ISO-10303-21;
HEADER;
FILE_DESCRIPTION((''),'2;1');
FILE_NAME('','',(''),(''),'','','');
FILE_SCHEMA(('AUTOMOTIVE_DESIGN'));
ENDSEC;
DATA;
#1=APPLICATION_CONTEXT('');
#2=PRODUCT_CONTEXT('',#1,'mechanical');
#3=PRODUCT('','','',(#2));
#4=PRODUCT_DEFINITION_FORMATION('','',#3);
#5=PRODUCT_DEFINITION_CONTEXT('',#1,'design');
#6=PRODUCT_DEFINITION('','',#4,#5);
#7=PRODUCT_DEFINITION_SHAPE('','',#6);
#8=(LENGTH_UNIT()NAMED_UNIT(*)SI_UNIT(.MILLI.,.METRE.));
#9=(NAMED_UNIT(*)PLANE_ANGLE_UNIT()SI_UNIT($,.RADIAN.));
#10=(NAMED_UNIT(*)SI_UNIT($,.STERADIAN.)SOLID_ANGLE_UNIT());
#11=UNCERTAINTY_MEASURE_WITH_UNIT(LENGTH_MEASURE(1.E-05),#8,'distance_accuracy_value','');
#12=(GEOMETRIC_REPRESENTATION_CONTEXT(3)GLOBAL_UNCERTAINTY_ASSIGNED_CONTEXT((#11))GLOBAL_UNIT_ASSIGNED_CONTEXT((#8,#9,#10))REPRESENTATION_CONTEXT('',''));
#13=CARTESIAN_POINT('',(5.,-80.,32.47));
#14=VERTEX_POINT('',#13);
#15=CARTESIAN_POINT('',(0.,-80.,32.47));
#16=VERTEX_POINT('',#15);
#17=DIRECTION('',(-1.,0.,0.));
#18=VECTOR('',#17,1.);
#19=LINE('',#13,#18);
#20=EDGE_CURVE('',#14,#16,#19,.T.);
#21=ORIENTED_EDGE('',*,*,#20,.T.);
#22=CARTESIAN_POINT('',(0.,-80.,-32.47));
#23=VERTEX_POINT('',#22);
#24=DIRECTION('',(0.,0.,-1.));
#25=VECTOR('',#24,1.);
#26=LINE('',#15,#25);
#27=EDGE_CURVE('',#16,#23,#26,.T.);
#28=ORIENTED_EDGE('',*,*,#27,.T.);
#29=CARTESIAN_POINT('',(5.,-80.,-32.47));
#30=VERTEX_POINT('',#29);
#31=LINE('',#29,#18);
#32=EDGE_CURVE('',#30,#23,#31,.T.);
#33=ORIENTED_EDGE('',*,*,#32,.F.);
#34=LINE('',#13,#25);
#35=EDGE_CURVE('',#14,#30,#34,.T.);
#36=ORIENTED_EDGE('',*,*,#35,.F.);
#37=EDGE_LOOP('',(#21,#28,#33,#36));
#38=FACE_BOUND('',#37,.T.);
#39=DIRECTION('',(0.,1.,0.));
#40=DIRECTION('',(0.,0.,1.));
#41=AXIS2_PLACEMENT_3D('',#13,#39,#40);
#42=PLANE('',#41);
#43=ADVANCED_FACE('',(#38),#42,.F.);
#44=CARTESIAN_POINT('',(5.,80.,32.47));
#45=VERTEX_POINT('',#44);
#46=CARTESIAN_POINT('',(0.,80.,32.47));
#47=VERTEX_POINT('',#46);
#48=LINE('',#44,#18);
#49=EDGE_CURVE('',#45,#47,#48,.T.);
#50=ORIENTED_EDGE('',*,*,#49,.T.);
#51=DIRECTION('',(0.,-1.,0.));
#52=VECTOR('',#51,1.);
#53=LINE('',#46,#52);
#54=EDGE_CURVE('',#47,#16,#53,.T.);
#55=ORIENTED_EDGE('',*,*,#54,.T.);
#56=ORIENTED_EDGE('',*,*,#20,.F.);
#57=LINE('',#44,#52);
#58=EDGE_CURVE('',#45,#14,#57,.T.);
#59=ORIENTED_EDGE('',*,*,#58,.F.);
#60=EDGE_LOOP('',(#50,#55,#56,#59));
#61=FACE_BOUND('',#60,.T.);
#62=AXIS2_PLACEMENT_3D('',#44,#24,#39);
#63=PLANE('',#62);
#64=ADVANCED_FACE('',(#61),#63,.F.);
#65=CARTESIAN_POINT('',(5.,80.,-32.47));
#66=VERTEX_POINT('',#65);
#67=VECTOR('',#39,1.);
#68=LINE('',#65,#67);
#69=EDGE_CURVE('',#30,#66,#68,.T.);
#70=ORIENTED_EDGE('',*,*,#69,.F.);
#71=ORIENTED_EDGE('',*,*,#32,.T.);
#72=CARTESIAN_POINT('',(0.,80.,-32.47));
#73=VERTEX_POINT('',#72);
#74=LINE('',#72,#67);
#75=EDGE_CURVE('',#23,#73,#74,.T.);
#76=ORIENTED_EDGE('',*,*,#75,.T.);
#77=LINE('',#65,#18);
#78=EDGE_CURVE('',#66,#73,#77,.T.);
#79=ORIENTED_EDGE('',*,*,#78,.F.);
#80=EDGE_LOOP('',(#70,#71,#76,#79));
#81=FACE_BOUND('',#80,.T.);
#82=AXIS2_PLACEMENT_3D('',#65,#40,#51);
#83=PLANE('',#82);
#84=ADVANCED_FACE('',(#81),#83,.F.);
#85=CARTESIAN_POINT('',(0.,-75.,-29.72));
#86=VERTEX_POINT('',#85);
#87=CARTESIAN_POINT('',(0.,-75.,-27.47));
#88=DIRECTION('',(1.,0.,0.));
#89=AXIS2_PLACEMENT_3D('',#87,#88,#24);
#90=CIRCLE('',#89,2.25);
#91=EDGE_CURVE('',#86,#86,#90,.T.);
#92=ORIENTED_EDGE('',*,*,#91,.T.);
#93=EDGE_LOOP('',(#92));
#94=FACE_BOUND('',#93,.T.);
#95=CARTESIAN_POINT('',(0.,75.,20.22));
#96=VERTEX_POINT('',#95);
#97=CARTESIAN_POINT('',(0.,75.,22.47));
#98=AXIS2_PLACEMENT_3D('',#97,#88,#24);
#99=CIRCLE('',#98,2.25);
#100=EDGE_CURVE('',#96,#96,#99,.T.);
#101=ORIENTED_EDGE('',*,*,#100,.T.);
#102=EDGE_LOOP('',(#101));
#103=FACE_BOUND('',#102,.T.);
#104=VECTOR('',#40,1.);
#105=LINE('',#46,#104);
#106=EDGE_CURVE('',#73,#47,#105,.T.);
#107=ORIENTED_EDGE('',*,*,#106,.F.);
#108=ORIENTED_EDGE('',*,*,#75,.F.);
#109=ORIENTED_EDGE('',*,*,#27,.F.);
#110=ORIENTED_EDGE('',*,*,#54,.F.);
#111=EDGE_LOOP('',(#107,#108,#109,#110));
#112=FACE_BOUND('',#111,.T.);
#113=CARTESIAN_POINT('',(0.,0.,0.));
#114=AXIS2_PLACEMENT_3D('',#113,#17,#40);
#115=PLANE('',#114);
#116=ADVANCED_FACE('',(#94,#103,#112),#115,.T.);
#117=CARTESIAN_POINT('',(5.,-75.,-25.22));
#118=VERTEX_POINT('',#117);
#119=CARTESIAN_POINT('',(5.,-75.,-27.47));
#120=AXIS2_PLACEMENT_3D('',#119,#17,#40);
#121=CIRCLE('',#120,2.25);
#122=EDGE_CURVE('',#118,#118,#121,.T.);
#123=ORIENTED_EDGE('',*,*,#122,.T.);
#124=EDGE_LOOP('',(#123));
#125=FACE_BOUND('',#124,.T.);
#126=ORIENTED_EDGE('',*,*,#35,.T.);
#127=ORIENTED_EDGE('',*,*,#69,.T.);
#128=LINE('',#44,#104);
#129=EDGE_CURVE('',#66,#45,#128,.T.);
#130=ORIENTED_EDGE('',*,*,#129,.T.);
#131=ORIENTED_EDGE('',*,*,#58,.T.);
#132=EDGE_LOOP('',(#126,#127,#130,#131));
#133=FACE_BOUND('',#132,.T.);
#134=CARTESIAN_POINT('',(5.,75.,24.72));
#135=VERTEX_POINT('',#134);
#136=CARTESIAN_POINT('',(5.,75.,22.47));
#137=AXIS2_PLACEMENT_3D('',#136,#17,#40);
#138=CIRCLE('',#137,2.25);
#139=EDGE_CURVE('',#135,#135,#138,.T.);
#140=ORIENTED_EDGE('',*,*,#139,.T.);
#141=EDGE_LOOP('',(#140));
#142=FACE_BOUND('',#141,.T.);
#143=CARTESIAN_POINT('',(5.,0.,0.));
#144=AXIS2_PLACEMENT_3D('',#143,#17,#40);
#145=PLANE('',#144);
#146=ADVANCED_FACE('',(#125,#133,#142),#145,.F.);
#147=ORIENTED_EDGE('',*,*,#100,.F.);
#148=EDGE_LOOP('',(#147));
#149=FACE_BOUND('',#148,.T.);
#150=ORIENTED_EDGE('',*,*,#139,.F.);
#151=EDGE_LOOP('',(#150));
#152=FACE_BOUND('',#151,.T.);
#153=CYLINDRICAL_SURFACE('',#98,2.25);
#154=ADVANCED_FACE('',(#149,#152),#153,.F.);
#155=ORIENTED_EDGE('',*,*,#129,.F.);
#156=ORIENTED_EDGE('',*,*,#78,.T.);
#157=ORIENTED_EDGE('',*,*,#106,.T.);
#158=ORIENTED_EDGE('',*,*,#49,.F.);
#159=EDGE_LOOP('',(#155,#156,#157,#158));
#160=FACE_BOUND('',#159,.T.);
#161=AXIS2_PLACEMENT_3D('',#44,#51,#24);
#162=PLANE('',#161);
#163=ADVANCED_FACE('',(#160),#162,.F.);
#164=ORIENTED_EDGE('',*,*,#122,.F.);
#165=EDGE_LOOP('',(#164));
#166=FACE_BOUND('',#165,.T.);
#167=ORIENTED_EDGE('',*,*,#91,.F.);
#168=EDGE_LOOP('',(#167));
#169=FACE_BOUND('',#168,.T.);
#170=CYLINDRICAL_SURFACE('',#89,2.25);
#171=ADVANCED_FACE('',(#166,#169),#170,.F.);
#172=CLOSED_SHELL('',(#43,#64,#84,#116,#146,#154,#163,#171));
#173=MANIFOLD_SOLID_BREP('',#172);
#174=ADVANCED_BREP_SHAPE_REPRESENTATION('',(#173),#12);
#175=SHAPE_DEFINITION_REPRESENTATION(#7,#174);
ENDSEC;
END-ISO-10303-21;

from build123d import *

# Parameters (mm, degrees)
SKETCH1_W               = 160
SKETCH1_H               = 64.94
BOSS_EXTRUDE1_DEPTH     = 5
CUT_EXTRUDE1_DEPTH      = 87.482951499
CUT_EXTRUDE1_DEPTH_BACK = 87.482951499
SKETCH2_R               = 2.25


with BuildPart() as part:
    # Sketch1 → Boss-Extrude1 (new body)
    with BuildSketch(Plane.YZ):
        Rectangle(SKETCH1_W, SKETCH1_H)
    extrude(amount=BOSS_EXTRUDE1_DEPTH)

    # Sketch2 → Cut-Extrude1 (cut, two sides: drawn at the far end of the back side and taken through both)
    with BuildSketch(Plane.YZ.offset(5).offset(-CUT_EXTRUDE1_DEPTH_BACK)):
        with Locations(Location((-75, -27.47, 0), (0, 0, 270))):
            Circle(SKETCH2_R)
        with Locations(Location((75, 22.47, 0), (0, 0, 270))):
            Circle(SKETCH2_R)
    extrude(amount=CUT_EXTRUDE1_DEPTH + CUT_EXTRUDE1_DEPTH_BACK, mode=Mode.SUBTRACT)


solid = part.part
